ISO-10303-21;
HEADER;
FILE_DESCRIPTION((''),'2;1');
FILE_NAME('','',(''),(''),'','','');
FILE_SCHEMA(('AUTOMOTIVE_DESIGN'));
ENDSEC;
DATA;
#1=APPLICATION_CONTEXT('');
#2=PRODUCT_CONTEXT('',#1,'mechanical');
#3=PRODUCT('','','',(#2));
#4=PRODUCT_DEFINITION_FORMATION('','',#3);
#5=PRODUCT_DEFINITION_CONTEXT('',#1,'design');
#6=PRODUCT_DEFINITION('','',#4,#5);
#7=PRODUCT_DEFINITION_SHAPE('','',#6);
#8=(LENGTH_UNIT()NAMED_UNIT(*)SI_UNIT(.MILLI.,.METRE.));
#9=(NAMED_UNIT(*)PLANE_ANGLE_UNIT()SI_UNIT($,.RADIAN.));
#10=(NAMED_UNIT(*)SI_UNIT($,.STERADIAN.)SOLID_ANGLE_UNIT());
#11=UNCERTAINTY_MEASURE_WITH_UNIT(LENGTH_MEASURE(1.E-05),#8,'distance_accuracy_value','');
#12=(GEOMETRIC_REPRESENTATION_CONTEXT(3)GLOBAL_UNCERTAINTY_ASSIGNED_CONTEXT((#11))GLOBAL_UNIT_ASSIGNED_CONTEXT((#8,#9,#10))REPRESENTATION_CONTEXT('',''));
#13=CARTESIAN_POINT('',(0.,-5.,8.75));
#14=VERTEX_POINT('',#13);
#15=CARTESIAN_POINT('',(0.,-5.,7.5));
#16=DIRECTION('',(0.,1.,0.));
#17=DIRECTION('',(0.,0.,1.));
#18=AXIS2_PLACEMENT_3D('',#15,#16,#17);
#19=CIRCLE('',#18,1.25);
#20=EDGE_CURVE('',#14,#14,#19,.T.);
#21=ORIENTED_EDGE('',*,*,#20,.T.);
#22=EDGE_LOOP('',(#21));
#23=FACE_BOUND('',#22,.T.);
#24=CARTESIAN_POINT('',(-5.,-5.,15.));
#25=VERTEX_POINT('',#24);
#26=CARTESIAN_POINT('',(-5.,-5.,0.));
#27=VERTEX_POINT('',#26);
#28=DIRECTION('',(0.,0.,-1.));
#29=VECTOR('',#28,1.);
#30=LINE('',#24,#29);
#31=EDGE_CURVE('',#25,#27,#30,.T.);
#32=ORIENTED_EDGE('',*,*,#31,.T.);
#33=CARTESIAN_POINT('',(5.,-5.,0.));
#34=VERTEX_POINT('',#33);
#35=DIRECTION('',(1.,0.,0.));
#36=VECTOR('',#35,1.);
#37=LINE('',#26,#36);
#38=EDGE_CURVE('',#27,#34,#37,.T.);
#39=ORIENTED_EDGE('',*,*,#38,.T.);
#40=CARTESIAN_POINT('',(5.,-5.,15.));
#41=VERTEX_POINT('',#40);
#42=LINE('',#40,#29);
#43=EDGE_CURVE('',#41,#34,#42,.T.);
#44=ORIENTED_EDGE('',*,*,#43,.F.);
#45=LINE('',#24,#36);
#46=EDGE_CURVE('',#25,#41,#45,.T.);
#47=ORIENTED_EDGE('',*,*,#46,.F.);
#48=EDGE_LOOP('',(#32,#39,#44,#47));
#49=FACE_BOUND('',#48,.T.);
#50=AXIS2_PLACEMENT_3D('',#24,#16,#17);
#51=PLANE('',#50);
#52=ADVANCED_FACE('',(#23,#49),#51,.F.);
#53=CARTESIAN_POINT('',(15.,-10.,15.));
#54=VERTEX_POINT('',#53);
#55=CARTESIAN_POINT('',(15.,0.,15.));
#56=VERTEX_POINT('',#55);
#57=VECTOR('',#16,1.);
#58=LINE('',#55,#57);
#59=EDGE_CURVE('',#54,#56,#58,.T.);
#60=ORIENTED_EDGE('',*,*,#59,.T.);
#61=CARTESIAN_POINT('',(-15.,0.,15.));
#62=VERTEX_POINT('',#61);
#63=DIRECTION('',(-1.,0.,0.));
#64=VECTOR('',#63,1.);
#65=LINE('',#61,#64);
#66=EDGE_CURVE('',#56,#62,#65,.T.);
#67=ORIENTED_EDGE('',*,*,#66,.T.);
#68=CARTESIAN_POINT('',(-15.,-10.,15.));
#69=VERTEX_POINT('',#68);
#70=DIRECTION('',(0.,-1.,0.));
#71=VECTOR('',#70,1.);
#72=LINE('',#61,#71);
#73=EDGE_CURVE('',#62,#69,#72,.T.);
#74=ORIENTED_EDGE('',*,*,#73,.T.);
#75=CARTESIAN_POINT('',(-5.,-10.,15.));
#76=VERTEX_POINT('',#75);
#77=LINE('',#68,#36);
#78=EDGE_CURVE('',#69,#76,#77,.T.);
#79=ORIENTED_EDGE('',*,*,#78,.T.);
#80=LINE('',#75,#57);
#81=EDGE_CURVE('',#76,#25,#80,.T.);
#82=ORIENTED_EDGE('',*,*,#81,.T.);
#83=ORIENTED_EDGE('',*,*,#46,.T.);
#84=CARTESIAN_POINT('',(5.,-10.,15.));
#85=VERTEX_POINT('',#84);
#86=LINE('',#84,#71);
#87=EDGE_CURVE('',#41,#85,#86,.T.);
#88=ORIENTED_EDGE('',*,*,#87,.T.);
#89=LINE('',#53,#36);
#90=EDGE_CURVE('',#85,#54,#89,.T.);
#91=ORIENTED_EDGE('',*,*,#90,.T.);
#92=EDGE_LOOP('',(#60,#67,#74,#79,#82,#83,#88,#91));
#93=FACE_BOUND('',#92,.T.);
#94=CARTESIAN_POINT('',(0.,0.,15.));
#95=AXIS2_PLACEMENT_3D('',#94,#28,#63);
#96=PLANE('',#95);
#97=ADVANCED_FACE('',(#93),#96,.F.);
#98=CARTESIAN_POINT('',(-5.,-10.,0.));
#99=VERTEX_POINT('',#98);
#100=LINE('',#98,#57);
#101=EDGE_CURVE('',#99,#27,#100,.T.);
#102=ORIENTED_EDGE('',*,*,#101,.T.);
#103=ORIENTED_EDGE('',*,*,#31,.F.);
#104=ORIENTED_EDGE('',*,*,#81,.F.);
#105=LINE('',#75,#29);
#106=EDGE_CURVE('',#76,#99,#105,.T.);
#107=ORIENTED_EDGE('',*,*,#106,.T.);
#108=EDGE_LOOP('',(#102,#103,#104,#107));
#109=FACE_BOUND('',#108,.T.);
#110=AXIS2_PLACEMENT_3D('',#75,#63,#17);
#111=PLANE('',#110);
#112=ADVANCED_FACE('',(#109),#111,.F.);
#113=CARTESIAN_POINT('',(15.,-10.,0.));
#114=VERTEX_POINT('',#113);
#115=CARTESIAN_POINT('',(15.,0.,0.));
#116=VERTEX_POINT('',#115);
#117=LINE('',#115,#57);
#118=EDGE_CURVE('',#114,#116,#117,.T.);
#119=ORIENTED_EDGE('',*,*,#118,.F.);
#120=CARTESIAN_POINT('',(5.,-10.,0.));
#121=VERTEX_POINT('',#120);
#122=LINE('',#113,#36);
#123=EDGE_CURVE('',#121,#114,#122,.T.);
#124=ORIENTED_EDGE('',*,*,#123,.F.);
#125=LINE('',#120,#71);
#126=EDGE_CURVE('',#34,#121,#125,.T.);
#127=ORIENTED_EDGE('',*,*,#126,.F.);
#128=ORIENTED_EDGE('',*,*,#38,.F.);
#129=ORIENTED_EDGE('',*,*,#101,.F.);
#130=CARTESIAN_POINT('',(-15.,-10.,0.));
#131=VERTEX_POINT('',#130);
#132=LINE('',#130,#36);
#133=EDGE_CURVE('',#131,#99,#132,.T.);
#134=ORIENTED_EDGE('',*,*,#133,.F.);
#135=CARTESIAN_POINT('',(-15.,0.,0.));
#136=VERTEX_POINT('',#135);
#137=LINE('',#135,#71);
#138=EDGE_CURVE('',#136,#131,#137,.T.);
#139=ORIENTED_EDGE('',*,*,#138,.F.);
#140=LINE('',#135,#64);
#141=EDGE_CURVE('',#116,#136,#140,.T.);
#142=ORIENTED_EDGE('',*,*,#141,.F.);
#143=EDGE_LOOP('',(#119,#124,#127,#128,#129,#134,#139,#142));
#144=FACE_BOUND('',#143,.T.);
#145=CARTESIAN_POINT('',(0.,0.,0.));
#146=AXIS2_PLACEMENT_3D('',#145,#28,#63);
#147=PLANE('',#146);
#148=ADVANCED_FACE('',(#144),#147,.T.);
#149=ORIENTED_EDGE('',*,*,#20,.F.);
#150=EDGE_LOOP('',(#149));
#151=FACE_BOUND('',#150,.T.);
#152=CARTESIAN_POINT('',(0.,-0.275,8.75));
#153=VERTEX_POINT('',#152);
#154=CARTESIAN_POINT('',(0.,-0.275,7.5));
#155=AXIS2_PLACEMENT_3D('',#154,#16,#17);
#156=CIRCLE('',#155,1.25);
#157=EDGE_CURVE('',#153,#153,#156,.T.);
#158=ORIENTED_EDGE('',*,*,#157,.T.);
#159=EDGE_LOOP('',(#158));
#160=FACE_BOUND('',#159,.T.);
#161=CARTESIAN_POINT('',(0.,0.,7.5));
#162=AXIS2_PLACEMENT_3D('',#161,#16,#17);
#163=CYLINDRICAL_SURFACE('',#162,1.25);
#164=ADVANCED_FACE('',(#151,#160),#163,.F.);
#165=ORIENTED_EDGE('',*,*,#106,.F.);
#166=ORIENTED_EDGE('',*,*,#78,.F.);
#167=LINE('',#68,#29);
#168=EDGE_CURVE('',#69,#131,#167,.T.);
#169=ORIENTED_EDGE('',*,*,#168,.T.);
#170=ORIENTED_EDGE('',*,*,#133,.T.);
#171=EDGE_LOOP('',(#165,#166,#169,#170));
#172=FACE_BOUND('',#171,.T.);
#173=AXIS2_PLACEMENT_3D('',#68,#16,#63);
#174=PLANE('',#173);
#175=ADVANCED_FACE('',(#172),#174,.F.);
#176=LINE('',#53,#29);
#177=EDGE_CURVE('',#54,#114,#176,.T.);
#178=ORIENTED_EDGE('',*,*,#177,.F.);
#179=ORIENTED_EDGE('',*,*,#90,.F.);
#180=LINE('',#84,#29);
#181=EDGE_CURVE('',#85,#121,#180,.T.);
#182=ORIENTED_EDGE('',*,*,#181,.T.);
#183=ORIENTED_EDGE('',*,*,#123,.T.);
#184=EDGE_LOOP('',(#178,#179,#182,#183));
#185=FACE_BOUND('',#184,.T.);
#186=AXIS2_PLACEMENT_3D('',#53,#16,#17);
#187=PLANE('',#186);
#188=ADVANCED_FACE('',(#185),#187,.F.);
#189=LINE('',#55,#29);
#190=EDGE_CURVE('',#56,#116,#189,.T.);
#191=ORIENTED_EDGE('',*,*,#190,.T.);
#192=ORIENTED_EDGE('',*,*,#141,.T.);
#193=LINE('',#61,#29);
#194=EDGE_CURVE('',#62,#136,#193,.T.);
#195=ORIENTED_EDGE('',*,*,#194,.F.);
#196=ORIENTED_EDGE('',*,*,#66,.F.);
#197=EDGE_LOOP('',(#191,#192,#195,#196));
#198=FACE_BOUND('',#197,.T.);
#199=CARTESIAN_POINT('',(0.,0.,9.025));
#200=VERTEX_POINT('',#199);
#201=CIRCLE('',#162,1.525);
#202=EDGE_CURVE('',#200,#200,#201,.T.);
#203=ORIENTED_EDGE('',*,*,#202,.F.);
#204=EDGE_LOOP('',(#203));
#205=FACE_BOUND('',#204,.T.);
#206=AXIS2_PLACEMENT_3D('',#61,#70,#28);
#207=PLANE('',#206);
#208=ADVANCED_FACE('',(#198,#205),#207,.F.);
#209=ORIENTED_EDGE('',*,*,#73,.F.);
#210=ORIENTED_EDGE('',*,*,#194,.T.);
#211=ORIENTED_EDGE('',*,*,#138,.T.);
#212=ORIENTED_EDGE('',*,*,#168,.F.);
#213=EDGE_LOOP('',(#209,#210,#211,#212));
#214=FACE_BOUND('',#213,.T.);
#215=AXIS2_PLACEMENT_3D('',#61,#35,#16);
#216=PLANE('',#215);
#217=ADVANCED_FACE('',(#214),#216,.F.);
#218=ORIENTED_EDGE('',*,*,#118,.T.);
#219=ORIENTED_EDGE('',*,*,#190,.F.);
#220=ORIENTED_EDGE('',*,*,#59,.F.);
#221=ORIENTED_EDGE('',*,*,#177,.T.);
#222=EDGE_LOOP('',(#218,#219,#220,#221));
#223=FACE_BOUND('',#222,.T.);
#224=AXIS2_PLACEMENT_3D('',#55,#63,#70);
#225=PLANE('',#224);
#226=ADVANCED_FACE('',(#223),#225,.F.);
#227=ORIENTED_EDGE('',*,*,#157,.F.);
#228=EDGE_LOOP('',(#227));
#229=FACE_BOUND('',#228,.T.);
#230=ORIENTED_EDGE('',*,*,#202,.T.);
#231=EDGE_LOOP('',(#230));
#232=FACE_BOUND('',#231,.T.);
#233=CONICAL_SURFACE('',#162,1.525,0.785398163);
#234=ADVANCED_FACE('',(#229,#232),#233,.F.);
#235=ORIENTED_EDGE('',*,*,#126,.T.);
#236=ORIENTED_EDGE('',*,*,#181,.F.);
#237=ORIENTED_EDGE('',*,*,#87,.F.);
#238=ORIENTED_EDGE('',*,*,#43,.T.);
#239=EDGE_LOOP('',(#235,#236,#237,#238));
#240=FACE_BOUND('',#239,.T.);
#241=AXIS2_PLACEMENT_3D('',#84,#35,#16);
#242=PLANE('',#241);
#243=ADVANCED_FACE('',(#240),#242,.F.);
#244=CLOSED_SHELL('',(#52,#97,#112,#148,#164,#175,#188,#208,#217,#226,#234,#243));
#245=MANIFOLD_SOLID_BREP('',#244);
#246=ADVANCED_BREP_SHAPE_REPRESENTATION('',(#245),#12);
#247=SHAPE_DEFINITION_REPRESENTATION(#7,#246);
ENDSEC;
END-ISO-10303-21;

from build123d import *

# Parameters (mm, degrees)
BOSS_EXTRUDE1_DEPTH             = 15
M3X0_5_TAPPED_HOLE1_D           = 2.5
M3X0_5_TAPPED_HOLE1_CSINK_D     = 3.05
M3X0_5_TAPPED_HOLE1_CSINK_ANGLE = 90


with BuildPart() as part:
    # Sketch1 → Boss-Extrude1 (new body)
    with BuildSketch(Plane.XY):
        Polygon((-15, 0), (15, 0), (15, -10), (5, -10), (5, -5), (-5, -5), (-5, -10), (-15, -10), align=None)
    extrude(amount=BOSS_EXTRUDE1_DEPTH)

    # M3x0.5 Tapped Hole1 (through all)
    with Locations(Plane(origin=(0, 0, 0), x_dir=(1, 0, 0), z_dir=(0, 1, 0))):
        with Locations((0, -7.5)):
            CounterSinkHole(M3X0_5_TAPPED_HOLE1_D / 2, M3X0_5_TAPPED_HOLE1_CSINK_D / 2, counter_sink_angle=M3X0_5_TAPPED_HOLE1_CSINK_ANGLE)


solid = part.part
